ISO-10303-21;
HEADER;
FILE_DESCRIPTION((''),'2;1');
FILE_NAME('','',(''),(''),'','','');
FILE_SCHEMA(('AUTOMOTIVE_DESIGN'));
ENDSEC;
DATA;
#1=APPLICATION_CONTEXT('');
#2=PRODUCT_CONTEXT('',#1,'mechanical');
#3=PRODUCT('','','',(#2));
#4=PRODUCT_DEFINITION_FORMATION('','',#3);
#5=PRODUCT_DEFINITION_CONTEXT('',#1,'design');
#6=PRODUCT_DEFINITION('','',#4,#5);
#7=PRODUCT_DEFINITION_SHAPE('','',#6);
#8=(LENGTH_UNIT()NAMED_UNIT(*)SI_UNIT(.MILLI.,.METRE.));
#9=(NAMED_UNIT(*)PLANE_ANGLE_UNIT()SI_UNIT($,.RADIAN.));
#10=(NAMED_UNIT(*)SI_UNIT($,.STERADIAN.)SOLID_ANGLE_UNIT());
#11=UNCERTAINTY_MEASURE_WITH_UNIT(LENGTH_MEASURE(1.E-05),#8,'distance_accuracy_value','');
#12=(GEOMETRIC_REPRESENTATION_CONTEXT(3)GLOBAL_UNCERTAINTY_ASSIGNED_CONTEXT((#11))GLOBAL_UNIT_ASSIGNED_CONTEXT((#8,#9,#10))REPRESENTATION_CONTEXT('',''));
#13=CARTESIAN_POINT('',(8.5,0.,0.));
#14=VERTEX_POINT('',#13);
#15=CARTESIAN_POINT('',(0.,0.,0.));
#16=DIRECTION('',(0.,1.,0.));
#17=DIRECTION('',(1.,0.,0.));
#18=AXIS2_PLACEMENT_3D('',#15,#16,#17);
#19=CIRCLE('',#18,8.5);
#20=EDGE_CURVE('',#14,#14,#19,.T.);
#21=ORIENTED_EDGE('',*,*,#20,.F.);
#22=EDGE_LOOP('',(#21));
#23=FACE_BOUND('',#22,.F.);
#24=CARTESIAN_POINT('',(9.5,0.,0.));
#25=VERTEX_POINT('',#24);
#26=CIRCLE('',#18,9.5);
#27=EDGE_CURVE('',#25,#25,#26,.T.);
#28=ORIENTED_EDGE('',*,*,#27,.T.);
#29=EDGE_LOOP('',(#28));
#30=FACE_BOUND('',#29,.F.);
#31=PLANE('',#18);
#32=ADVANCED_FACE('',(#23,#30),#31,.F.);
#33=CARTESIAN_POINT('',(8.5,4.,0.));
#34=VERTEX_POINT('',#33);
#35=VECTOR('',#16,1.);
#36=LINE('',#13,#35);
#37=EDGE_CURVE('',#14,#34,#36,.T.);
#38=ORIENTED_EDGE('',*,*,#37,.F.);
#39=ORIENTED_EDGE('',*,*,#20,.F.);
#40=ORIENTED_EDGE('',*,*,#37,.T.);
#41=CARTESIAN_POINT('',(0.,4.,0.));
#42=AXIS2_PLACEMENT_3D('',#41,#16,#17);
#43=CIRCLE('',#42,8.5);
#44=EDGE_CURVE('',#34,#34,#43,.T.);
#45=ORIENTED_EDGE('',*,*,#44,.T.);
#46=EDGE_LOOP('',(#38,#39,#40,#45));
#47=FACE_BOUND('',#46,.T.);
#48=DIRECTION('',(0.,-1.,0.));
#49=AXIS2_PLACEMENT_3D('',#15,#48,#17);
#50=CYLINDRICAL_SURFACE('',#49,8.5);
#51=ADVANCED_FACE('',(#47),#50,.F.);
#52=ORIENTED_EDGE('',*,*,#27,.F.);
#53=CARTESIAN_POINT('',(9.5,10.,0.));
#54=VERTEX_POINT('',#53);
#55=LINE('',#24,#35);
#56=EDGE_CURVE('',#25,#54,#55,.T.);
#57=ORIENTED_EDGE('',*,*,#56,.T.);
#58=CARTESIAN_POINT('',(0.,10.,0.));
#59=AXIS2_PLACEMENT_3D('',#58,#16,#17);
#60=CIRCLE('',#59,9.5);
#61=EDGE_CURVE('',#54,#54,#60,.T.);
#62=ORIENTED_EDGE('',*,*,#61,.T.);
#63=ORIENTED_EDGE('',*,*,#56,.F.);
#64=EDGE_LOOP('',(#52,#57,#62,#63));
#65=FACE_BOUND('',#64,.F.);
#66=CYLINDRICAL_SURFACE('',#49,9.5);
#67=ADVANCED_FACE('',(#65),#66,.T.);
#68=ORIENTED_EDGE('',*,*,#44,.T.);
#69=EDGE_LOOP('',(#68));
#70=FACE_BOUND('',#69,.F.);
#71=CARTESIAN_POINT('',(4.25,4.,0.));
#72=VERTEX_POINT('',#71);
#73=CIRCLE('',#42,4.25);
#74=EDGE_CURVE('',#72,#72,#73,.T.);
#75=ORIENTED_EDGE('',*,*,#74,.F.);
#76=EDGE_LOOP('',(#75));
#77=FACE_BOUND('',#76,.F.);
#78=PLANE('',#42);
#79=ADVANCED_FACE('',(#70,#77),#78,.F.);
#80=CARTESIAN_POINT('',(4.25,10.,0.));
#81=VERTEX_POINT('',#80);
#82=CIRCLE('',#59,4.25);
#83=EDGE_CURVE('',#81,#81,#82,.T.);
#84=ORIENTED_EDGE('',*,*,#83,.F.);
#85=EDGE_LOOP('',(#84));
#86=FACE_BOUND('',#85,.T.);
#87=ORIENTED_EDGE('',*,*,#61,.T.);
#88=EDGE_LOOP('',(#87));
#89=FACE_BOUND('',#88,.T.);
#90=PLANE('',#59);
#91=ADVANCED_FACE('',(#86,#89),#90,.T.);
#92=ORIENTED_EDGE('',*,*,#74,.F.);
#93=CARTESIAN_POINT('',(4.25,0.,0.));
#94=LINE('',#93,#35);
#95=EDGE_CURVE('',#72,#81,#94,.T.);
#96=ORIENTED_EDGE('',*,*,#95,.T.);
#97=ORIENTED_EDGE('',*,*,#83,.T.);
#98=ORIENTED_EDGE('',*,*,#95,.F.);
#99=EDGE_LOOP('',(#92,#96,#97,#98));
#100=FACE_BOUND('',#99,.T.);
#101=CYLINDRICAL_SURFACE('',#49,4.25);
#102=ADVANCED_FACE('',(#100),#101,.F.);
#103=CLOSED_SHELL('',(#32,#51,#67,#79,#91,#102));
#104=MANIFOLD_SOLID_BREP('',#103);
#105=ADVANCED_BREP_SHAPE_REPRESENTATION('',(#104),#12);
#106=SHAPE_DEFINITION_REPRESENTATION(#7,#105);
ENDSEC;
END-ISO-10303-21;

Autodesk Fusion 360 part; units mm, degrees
sketch "Sketch1" plane through (0, 0, 0) normal (0, 1, 0) x (1, 0, 0)
  circle A0 centre (0, 0) radius 8.5
  circle A1 centre (0, 0) radius 9.5
  circle A2 centre (0, 0) radius 4.25
  dimension "d1" = 17
  dimension "d2" = 19
  dimension "d7" = 8.5
extrude "Extrude1" add sketch "Sketch1" along normal blind 20 contours A1
extrude "Extrude2" add sketch "Sketch1" along normal blind 20 contours A0 | A2
extrude "Extrude3" cut sketch "Sketch1" along normal blind 20 contours A2
extrude "Extrude4" cut 1 faces at (7.7146, 20, 0.472) along direction (0, -1, 0) blind 10
extrude "Extrude5" cut sketch "Sketch1" along normal blind 4 contours A0
